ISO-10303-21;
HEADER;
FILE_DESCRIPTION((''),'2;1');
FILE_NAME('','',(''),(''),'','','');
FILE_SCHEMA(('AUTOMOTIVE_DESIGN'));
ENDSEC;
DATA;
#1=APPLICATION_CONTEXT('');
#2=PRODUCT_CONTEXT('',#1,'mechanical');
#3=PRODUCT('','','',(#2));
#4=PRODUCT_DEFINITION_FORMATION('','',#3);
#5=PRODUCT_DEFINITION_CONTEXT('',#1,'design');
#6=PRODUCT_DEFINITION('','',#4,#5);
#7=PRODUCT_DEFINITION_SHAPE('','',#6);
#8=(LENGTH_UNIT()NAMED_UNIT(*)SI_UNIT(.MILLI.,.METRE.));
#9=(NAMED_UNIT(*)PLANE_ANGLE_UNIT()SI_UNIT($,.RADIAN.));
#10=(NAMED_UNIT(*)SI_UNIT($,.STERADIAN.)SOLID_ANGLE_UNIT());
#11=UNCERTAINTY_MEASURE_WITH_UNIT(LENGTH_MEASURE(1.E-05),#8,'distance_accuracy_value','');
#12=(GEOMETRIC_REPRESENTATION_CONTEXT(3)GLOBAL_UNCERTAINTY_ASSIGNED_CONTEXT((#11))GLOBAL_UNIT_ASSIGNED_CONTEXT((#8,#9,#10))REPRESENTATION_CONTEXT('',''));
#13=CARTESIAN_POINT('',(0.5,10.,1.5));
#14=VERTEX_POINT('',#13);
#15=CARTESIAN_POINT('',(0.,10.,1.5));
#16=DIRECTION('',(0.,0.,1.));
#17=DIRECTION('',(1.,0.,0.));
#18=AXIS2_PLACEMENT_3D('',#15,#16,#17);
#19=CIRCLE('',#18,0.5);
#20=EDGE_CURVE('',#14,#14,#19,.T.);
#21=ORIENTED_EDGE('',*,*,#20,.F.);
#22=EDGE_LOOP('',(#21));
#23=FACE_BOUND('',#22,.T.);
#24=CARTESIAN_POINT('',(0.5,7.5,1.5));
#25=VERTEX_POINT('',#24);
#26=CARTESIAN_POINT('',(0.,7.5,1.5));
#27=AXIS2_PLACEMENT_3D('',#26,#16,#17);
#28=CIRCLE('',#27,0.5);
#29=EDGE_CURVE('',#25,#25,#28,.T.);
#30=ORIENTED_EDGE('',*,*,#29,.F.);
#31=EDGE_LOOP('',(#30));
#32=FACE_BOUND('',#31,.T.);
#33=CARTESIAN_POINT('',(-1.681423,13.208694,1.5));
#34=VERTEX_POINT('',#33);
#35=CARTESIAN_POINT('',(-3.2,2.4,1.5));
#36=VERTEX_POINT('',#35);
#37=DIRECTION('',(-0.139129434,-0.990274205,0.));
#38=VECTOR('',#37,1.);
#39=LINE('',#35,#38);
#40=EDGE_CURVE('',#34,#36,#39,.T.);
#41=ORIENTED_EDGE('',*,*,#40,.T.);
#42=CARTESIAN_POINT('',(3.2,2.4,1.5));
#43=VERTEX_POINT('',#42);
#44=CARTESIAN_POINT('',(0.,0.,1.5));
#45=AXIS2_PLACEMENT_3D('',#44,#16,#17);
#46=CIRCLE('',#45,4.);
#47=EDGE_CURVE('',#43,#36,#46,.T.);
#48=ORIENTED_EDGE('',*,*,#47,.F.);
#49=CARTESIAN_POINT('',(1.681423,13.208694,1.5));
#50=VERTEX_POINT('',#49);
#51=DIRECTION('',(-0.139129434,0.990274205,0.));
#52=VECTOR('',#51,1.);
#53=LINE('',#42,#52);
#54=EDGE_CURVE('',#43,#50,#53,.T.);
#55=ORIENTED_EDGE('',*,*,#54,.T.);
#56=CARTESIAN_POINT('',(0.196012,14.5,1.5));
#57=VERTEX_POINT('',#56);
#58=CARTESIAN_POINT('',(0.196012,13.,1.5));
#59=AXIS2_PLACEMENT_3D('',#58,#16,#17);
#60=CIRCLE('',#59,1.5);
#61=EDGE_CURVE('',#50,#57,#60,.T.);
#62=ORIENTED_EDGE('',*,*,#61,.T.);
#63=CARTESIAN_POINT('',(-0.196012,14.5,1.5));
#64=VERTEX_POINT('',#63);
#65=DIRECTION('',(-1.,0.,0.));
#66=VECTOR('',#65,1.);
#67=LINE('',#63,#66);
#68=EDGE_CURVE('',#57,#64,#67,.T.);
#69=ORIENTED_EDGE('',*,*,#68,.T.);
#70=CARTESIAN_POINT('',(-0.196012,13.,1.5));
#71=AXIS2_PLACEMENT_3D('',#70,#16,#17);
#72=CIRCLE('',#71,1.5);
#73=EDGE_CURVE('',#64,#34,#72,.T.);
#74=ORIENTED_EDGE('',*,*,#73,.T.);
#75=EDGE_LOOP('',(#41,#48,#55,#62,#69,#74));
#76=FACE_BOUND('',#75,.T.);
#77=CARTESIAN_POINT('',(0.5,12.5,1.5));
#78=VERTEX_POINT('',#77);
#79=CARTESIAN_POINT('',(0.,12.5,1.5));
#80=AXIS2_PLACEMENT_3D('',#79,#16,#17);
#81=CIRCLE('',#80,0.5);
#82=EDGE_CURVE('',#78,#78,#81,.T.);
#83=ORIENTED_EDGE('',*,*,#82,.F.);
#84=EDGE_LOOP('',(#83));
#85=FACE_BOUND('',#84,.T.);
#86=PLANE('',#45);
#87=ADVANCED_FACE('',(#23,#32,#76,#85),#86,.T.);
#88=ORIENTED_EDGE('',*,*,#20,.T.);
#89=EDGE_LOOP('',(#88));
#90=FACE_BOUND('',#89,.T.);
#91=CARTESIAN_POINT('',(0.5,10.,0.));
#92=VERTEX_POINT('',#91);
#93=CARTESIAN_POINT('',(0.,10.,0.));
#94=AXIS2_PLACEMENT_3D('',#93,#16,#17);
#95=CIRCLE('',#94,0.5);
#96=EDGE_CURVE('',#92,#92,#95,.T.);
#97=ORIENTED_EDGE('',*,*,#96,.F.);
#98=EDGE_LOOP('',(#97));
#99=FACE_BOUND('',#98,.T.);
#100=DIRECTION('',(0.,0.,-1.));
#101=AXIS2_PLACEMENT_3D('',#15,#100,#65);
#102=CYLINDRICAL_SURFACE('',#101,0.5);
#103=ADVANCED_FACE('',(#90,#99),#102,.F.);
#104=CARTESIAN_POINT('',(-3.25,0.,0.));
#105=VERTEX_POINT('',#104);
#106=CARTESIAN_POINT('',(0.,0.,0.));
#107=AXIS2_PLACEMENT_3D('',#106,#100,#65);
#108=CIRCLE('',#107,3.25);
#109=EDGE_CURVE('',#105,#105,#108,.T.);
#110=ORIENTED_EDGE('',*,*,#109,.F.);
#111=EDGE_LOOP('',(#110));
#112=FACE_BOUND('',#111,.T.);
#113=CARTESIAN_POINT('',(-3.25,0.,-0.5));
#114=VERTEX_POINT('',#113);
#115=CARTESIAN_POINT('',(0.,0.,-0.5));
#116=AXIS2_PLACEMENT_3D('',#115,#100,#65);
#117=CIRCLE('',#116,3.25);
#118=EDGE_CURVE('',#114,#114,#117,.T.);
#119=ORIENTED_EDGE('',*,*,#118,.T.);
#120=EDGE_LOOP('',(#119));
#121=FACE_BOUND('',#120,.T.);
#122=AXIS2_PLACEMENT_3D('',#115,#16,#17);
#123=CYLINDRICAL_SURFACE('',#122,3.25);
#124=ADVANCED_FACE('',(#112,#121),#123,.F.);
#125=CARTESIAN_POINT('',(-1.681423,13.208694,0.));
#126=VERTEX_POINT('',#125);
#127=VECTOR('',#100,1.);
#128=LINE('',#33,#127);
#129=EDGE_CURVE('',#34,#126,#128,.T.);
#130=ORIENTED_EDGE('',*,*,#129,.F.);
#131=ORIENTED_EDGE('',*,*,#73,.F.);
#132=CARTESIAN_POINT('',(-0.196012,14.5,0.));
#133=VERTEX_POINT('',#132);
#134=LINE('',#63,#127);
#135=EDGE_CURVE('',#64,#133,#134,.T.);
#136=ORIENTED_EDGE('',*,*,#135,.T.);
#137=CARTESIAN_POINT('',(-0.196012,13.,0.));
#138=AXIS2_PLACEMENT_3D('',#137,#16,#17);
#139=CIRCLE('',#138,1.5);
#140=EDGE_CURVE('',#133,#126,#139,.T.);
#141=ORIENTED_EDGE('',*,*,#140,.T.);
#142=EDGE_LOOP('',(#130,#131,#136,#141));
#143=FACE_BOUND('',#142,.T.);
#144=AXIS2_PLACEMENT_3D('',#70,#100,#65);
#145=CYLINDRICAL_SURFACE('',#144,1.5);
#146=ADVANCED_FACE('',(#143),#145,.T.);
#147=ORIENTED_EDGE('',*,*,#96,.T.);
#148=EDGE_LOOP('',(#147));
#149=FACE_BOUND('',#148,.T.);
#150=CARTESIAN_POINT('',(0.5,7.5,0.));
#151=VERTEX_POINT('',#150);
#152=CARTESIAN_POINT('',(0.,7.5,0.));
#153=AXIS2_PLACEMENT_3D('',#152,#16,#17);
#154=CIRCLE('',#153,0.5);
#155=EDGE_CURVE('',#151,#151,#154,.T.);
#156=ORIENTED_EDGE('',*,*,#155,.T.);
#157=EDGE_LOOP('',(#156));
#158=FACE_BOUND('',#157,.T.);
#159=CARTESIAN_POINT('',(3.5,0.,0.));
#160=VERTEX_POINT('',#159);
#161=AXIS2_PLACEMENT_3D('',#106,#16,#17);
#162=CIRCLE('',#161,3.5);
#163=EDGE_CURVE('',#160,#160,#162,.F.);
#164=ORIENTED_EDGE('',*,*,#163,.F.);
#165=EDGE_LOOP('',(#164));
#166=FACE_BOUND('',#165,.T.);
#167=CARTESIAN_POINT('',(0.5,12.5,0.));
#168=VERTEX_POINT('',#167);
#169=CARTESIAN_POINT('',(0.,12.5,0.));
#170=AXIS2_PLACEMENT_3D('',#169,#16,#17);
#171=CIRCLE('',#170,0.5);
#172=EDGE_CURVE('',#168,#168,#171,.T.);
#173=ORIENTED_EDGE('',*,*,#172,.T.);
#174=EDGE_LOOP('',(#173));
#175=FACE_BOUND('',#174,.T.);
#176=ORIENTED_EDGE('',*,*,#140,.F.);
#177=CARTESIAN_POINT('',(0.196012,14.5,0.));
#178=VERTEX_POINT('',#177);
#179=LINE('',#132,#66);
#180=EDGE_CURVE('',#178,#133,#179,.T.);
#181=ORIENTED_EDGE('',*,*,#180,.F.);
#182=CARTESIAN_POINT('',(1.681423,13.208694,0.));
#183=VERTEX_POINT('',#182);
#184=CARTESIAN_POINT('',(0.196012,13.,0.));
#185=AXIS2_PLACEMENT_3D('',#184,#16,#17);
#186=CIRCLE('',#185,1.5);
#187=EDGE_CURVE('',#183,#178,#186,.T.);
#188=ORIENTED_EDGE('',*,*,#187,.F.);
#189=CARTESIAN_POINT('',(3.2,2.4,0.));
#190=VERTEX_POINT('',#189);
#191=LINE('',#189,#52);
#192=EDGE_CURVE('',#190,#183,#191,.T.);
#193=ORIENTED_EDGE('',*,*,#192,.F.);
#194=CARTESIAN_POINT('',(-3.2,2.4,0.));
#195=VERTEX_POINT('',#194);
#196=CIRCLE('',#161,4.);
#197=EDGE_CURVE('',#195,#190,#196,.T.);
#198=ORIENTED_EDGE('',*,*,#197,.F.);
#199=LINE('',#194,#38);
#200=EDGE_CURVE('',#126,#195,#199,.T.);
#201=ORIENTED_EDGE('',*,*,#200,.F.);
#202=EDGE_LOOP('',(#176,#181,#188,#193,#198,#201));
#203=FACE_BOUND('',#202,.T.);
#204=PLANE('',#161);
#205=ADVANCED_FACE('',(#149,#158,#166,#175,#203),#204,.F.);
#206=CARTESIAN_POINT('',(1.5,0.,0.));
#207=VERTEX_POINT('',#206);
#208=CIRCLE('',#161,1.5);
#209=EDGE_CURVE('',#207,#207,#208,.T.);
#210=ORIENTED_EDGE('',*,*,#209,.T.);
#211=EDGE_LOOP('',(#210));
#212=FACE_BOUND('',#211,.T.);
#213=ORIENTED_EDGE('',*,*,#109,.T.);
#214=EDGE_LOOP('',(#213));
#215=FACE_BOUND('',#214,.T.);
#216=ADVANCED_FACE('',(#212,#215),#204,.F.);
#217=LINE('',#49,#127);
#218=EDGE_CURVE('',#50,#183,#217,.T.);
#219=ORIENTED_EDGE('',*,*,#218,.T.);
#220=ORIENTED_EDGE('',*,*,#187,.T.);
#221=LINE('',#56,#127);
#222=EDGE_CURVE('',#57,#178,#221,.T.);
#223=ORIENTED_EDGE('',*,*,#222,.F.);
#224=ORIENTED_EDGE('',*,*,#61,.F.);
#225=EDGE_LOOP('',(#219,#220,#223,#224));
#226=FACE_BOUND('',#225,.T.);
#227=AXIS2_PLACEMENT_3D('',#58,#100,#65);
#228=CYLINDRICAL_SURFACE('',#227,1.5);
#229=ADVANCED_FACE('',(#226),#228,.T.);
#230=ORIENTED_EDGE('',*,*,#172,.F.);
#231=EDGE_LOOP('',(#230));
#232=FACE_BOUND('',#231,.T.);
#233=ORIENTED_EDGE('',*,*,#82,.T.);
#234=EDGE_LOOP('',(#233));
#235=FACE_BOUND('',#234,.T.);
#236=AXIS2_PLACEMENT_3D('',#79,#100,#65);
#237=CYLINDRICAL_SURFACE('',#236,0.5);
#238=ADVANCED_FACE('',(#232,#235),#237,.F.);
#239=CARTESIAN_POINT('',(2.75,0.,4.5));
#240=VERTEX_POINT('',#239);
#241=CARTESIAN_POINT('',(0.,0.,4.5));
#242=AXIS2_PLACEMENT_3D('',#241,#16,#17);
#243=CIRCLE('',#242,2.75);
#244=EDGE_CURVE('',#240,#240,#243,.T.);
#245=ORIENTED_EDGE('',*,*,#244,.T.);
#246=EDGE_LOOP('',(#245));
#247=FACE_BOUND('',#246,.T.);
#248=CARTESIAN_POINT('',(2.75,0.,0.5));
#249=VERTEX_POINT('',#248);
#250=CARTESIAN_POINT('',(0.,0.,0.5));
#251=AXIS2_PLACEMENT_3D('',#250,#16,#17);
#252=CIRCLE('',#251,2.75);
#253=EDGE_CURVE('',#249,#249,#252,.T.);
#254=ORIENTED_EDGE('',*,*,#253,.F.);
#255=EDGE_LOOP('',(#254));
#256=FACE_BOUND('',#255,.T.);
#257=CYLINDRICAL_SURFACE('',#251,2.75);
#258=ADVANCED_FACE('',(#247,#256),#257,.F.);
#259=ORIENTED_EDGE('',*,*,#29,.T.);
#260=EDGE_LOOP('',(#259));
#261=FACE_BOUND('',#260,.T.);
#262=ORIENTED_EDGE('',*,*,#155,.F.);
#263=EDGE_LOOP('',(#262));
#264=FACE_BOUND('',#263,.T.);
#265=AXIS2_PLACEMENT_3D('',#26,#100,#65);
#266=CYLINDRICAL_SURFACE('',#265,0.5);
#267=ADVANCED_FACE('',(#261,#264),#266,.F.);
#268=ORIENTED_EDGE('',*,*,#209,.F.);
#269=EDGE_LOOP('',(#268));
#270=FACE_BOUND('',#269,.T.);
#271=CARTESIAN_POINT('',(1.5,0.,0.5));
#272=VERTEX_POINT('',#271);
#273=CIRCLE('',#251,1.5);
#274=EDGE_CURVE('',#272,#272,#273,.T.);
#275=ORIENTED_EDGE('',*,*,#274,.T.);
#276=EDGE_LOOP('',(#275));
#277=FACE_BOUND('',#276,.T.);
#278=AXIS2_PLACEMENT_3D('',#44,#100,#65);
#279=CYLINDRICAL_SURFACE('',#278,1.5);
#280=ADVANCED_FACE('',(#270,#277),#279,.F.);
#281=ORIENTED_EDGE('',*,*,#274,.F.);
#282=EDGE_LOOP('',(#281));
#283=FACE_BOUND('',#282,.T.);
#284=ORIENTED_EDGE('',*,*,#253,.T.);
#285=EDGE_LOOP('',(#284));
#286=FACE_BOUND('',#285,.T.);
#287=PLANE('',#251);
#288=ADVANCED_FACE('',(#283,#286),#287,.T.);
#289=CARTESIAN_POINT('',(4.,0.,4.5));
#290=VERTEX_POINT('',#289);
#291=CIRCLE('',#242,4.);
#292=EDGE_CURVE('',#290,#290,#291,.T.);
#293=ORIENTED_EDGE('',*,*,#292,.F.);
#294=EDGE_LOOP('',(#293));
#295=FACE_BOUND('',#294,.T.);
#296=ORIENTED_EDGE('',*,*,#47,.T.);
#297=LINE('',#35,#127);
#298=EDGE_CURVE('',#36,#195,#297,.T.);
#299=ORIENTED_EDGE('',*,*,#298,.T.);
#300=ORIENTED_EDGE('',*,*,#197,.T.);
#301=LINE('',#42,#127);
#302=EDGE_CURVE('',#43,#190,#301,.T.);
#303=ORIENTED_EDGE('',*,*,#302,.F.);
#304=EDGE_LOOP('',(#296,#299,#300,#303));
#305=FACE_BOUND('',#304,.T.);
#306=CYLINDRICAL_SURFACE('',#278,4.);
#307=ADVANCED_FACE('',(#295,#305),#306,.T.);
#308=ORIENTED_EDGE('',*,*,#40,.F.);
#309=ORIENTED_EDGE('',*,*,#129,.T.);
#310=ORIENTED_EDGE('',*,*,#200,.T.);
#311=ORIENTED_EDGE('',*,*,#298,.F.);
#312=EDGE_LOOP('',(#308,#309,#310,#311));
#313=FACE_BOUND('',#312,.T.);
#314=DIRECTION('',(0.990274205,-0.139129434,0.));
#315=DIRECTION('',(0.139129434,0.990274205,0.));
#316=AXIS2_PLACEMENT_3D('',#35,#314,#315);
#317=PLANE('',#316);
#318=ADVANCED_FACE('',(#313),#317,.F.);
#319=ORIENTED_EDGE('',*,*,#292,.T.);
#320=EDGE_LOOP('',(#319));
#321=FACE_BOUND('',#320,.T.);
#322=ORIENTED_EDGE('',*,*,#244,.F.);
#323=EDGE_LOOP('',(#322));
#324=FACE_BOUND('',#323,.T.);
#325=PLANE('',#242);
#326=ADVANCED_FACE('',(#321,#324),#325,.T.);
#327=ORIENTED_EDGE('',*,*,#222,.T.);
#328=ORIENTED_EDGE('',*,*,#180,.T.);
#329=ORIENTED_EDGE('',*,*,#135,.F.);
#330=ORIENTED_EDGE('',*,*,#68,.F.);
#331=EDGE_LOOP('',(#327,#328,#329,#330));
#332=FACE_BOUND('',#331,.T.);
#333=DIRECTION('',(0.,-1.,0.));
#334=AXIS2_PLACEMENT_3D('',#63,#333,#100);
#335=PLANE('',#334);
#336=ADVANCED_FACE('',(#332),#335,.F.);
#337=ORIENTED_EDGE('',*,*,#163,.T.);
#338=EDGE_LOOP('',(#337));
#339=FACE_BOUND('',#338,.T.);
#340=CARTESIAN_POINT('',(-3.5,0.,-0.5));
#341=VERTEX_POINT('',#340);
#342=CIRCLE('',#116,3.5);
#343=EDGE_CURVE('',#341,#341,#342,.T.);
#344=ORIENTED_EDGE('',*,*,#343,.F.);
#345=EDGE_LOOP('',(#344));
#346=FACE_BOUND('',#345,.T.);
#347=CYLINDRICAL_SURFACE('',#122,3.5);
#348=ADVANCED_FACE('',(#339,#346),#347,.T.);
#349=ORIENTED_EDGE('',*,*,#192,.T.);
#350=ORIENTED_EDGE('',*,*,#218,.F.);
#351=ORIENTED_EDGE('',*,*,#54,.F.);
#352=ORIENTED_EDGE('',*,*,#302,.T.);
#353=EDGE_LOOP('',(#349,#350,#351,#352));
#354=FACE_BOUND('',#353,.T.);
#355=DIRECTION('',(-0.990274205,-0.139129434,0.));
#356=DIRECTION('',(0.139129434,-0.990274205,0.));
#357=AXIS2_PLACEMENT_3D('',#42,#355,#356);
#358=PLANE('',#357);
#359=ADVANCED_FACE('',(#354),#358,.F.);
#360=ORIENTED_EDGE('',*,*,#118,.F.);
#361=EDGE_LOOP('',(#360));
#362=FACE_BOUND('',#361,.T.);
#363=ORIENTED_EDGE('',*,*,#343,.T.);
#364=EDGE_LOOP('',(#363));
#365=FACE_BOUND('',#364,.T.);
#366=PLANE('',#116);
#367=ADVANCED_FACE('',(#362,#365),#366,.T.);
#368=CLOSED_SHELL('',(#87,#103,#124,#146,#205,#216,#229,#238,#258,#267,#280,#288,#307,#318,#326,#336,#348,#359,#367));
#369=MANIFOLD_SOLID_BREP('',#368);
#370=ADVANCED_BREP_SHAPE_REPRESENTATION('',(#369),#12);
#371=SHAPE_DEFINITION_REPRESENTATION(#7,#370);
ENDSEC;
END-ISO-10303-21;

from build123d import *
from build123d.topology import SkipClean

# Parameters (mm, degrees)
SKETCH1_R           = 0.5
SKETCH1_R_2         = 1.5
BOSS_EXTRUDE3_DEPTH = 1.5
SKETCH2_R           = 4
BOSS_EXTRUDE4_DEPTH = 3
SKETCH3_R           = 3.5
SKETCH3_R_2         = 3.25
BOSS_EXTRUDE5_DEPTH = 0.5
SKETCH4_R           = 2.75
CUT_EXTRUDE1_DEPTH  = 4


with BuildPart() as part:
    # Sketch1 → Boss-Extrude3 (new body)
    with BuildSketch(Plane.XY):
        with BuildLine():
            Line((-3.2, 2.4), (-1.681423136, 13.208694151))
            ThreePointArc((-1.681423136, 13.208694151), (-1.180125332, 14.132042673), (-0.196011829, 14.5))
            Line((-0.196011829, 14.5), (0.196011829, 14.5))
            ThreePointArc((0.196011829, 14.5), (1.180125332, 14.132042673), (1.681423136, 13.208694151))
            Line((1.681423136, 13.208694151), (3.2, 2.4))
            ThreePointArc((3.2, 2.4), (0, -4), (-3.2, 2.4))
        make_face()
        with Locations((0, 10)):
            Circle(SKETCH1_R, mode=Mode.SUBTRACT)
        with Locations((0, 12.5)):
            Circle(SKETCH1_R, mode=Mode.SUBTRACT)
        with Locations((0, 7.5)):
            Circle(SKETCH1_R, mode=Mode.SUBTRACT)
        Circle(SKETCH1_R_2, mode=Mode.SUBTRACT)
    extrude(amount=BOSS_EXTRUDE3_DEPTH)

    # Sketch2 → Boss-Extrude4 (add)
    with SkipClean():  # the faces are left unmerged after this step: merging them gives an invalid solid
        with BuildSketch(Plane.XY.offset(1.5)):
            with Locations(Location((0, 0, 0), (0, 0, 143.130102354))):
                Circle(SKETCH2_R)
        extrude(amount=BOSS_EXTRUDE4_DEPTH)

    # Sketch3 → Boss-Extrude5 (add)
    with SkipClean():  # the faces are left unmerged after this step: merging them gives an invalid solid
        with BuildSketch(Plane(origin=(0, 0, 0), x_dir=(-1, 0, 0), z_dir=(0, 0, -1))):
            with Locations(Location((0, 0, 0), (0, 0, 180))):
                Circle(SKETCH3_R)
            Circle(SKETCH3_R_2, mode=Mode.SUBTRACT)
        extrude(amount=BOSS_EXTRUDE5_DEPTH)

    # Sketch4 → Cut-Extrude1 (cut)
    with SkipClean():  # the faces are left unmerged after this step: merging them gives an invalid solid
        with BuildSketch(Plane.XY.offset(4.5)):
            Circle(SKETCH4_R)
        extrude(amount=-CUT_EXTRUDE1_DEPTH, mode=Mode.SUBTRACT)


solid = part.part
